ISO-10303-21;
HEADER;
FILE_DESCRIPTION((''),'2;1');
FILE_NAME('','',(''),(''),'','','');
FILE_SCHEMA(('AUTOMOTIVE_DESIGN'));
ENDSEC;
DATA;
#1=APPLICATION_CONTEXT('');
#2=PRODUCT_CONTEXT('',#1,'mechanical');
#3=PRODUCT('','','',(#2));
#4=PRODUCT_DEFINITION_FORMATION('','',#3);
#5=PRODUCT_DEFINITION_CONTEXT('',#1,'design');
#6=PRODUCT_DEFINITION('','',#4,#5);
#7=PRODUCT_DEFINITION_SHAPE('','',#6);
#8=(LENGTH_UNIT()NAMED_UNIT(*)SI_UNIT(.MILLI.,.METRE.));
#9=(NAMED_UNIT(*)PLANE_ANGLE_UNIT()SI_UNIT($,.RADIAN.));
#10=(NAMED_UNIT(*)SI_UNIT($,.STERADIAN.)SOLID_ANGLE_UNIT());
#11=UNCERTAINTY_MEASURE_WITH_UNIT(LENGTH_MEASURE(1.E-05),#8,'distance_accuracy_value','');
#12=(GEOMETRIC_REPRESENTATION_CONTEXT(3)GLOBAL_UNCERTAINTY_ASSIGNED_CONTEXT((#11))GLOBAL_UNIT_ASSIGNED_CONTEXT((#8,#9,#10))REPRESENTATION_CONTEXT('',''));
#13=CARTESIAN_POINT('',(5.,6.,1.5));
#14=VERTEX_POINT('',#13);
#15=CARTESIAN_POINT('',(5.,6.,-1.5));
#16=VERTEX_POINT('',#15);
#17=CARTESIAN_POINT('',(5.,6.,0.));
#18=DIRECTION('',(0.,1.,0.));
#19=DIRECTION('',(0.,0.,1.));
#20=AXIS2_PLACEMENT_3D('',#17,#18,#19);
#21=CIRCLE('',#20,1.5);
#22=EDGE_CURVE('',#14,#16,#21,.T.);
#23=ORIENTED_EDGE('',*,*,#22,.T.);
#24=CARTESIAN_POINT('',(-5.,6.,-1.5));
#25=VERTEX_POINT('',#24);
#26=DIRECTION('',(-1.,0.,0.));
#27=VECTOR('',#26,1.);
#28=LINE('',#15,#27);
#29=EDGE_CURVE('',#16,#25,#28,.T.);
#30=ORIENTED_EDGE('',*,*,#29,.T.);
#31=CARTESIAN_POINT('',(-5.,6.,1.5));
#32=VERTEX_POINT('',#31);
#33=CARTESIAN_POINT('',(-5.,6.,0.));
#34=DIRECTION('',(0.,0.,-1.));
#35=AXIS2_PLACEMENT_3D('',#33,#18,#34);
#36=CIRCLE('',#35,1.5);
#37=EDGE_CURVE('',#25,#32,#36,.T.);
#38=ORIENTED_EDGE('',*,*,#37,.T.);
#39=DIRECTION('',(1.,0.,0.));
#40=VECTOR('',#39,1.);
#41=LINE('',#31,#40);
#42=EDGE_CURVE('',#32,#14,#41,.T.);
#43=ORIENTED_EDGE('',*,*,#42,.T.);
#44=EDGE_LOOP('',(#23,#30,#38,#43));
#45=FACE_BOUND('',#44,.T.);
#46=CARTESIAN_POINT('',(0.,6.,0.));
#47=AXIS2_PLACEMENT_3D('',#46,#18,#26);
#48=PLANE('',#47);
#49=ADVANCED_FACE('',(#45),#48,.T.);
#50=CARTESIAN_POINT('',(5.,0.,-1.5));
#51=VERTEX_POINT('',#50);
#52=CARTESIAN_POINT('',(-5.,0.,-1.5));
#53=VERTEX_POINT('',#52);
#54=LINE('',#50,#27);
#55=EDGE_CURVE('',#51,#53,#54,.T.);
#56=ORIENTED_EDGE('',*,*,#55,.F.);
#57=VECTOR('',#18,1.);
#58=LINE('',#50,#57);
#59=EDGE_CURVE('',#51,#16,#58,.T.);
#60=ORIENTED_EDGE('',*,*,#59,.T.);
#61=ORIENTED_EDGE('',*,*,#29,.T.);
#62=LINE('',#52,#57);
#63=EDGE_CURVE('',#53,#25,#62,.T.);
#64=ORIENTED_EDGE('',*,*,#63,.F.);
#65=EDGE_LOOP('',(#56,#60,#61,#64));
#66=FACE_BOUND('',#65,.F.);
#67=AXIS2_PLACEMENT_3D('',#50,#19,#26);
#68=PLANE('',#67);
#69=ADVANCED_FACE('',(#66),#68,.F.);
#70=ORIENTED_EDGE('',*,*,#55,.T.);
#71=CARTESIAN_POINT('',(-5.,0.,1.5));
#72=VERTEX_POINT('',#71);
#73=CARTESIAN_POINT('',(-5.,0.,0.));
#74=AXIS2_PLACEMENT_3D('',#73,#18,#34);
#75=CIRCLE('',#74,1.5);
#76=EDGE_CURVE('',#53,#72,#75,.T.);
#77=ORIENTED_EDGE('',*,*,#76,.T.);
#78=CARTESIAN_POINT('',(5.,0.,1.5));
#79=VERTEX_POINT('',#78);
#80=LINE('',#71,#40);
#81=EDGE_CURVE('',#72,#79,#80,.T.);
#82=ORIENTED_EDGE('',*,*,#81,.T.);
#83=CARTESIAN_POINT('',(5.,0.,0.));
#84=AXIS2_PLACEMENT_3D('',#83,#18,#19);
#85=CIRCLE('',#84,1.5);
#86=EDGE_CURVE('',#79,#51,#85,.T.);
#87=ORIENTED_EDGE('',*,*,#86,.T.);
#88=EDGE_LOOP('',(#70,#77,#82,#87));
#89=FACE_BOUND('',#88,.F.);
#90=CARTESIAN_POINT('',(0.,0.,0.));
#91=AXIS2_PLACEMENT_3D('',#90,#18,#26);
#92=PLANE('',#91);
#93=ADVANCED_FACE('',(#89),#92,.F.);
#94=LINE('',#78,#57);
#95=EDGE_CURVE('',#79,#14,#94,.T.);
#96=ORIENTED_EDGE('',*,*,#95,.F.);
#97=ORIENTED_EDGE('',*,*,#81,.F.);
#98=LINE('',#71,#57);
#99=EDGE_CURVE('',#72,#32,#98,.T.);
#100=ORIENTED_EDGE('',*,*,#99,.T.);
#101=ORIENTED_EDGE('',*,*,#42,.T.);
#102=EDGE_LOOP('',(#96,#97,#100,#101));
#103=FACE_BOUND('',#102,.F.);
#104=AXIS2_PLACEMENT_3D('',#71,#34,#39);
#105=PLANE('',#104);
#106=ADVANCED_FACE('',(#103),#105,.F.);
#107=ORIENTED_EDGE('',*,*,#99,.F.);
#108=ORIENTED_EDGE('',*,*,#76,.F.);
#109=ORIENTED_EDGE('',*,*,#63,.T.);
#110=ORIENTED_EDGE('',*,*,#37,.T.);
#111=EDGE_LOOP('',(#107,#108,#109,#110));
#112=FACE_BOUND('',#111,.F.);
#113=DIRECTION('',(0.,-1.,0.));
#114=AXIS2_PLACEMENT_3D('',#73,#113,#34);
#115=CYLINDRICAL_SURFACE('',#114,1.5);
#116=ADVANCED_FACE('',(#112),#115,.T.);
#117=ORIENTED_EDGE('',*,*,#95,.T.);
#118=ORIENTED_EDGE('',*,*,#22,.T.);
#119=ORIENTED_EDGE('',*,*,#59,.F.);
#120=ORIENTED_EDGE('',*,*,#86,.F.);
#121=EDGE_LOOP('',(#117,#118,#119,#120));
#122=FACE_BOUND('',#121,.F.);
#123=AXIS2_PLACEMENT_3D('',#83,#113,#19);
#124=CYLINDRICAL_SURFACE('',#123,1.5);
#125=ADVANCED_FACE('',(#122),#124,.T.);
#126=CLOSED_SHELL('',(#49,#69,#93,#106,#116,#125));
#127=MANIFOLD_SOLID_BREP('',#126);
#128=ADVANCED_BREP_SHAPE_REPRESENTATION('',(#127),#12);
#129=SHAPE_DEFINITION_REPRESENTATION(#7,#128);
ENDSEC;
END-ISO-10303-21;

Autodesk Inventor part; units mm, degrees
ref_plane "YZ Plane" through (0, 0, 0) normal (1, 0, 0) x (0, 1, 0)
ref_plane "XZ Plane" through (0, 0, 0) normal (0, 1, 0) x (-1, 0, 0)
ref_plane "XY Plane" through (0, 0, 0) normal (0, 0, 1) x (1, 0, 0)
sketch "Sketch1" plane through (0, 0, 0) normal (0, 1, 0) x (-1, 0, 0)
  line L0 (-5, 0) -> (5, 0) construction
  line L1 (-5, -1.5) -> (5, -1.5)
  line L2 (5, 1.5) -> (-5, 1.5)
  arc A0 (-5, 1.5) -> (-5, -1.5) centre (-5, 0) ccw
  arc A1 (5, -1.5) -> (5, 1.5) centre (5, 0) ccw
  point P0 (0, 0)
  dimension "d0" = 5
  dimension "d1" = 3
extrude "Extrusion1" add sketch "Sketch1" along normal blind 6
properties part number "slot_pin"
